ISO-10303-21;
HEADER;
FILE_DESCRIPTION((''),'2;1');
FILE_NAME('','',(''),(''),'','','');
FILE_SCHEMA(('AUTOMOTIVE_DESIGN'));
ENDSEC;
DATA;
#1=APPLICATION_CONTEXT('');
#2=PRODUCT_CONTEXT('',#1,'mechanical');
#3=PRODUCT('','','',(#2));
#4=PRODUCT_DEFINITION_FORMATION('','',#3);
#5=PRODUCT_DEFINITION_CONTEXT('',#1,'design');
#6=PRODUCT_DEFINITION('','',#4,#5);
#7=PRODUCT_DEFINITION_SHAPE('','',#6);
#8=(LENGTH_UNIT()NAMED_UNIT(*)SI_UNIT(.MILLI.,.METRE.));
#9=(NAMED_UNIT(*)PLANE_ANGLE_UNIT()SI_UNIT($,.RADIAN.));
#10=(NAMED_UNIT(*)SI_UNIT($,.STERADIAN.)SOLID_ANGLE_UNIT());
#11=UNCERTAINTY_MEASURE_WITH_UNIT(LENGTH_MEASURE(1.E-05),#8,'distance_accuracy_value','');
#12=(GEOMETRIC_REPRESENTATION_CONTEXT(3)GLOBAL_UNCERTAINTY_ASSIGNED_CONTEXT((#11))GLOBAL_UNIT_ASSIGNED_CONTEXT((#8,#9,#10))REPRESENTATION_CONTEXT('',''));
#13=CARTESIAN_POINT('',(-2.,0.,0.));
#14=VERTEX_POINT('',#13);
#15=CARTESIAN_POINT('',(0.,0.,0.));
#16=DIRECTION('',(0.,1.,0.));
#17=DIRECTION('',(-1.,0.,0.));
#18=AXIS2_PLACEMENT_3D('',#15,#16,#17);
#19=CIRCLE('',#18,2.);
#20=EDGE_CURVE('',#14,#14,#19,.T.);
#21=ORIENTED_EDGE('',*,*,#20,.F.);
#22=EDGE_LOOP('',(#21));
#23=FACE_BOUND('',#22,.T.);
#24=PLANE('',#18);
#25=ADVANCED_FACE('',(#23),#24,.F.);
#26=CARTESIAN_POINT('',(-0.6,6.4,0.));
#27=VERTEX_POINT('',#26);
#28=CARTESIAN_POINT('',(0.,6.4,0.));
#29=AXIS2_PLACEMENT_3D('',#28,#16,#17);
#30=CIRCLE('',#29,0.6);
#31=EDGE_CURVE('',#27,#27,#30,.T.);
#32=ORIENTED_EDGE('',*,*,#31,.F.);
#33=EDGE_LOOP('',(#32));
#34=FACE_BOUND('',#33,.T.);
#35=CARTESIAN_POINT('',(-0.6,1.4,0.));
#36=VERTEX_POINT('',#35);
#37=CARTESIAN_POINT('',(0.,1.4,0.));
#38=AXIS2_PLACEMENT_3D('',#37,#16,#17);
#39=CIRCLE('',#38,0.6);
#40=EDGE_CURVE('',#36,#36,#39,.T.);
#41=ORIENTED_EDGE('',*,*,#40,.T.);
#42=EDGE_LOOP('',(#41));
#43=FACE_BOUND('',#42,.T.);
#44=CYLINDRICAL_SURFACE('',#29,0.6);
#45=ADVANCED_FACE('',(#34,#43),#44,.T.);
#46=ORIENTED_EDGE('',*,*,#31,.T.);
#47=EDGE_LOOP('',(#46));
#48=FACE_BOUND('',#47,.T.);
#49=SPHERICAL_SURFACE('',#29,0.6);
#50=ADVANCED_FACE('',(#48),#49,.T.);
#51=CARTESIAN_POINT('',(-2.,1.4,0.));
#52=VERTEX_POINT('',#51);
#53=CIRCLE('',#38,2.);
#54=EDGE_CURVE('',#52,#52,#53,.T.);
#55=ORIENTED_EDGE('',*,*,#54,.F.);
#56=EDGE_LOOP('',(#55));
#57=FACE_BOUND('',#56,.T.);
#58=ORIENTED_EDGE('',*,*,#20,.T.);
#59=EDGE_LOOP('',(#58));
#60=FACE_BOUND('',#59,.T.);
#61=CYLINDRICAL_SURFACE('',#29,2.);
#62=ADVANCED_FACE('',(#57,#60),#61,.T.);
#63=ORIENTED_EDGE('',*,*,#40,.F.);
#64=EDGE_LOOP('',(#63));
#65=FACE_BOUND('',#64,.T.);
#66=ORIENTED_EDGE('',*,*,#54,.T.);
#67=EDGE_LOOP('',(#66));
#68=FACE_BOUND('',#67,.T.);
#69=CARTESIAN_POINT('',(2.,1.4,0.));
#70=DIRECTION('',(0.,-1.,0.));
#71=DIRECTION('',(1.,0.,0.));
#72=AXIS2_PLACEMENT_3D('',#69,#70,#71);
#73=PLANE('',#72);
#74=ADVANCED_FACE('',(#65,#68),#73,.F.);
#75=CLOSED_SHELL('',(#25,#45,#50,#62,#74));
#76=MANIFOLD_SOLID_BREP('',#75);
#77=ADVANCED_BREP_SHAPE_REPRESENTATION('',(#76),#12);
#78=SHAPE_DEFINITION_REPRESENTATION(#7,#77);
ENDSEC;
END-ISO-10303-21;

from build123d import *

# Parameters (mm, degrees)
DOME1_FACE_RADIUS = 0.6
DOME1_HEIGHT      = 0.6


with BuildPart() as part:
    # Sketch1 → Revolve1 (revolve)
    with BuildSketch(Plane.XY, mode=Mode.PRIVATE) as revolve1_sk:
        Polygon((0, 0), (2, 0), (2, 1.4), (0.6, 1.4), (0.6, 6.4), (0, 6.4), align=None)
    revolve(revolve1_sk.sketch.rotate(Axis((0, 6.4, 0), (0, -1, 0)), 180), axis=Axis((0, 6.4, 0), (0, -1, 0)))

    # Dome1: a dome of height H over a round flat face of radius A is a cap of a sphere of radius (A * A + H * H) / (2 * H)
    dome1_r = (DOME1_FACE_RADIUS * DOME1_FACE_RADIUS + DOME1_HEIGHT * DOME1_HEIGHT) / (2 * DOME1_HEIGHT)
    dome1_base = Plane((0, 6.4, 0), z_dir=(0, 1, 0))
    with Locations(dome1_base.offset(DOME1_HEIGHT - dome1_r)):
        dome1_ball = Sphere(dome1_r, mode=Mode.PRIVATE)
    add(split(dome1_ball, bisect_by=dome1_base, keep=Keep.TOP, mode=Mode.PRIVATE))


solid = part.part
